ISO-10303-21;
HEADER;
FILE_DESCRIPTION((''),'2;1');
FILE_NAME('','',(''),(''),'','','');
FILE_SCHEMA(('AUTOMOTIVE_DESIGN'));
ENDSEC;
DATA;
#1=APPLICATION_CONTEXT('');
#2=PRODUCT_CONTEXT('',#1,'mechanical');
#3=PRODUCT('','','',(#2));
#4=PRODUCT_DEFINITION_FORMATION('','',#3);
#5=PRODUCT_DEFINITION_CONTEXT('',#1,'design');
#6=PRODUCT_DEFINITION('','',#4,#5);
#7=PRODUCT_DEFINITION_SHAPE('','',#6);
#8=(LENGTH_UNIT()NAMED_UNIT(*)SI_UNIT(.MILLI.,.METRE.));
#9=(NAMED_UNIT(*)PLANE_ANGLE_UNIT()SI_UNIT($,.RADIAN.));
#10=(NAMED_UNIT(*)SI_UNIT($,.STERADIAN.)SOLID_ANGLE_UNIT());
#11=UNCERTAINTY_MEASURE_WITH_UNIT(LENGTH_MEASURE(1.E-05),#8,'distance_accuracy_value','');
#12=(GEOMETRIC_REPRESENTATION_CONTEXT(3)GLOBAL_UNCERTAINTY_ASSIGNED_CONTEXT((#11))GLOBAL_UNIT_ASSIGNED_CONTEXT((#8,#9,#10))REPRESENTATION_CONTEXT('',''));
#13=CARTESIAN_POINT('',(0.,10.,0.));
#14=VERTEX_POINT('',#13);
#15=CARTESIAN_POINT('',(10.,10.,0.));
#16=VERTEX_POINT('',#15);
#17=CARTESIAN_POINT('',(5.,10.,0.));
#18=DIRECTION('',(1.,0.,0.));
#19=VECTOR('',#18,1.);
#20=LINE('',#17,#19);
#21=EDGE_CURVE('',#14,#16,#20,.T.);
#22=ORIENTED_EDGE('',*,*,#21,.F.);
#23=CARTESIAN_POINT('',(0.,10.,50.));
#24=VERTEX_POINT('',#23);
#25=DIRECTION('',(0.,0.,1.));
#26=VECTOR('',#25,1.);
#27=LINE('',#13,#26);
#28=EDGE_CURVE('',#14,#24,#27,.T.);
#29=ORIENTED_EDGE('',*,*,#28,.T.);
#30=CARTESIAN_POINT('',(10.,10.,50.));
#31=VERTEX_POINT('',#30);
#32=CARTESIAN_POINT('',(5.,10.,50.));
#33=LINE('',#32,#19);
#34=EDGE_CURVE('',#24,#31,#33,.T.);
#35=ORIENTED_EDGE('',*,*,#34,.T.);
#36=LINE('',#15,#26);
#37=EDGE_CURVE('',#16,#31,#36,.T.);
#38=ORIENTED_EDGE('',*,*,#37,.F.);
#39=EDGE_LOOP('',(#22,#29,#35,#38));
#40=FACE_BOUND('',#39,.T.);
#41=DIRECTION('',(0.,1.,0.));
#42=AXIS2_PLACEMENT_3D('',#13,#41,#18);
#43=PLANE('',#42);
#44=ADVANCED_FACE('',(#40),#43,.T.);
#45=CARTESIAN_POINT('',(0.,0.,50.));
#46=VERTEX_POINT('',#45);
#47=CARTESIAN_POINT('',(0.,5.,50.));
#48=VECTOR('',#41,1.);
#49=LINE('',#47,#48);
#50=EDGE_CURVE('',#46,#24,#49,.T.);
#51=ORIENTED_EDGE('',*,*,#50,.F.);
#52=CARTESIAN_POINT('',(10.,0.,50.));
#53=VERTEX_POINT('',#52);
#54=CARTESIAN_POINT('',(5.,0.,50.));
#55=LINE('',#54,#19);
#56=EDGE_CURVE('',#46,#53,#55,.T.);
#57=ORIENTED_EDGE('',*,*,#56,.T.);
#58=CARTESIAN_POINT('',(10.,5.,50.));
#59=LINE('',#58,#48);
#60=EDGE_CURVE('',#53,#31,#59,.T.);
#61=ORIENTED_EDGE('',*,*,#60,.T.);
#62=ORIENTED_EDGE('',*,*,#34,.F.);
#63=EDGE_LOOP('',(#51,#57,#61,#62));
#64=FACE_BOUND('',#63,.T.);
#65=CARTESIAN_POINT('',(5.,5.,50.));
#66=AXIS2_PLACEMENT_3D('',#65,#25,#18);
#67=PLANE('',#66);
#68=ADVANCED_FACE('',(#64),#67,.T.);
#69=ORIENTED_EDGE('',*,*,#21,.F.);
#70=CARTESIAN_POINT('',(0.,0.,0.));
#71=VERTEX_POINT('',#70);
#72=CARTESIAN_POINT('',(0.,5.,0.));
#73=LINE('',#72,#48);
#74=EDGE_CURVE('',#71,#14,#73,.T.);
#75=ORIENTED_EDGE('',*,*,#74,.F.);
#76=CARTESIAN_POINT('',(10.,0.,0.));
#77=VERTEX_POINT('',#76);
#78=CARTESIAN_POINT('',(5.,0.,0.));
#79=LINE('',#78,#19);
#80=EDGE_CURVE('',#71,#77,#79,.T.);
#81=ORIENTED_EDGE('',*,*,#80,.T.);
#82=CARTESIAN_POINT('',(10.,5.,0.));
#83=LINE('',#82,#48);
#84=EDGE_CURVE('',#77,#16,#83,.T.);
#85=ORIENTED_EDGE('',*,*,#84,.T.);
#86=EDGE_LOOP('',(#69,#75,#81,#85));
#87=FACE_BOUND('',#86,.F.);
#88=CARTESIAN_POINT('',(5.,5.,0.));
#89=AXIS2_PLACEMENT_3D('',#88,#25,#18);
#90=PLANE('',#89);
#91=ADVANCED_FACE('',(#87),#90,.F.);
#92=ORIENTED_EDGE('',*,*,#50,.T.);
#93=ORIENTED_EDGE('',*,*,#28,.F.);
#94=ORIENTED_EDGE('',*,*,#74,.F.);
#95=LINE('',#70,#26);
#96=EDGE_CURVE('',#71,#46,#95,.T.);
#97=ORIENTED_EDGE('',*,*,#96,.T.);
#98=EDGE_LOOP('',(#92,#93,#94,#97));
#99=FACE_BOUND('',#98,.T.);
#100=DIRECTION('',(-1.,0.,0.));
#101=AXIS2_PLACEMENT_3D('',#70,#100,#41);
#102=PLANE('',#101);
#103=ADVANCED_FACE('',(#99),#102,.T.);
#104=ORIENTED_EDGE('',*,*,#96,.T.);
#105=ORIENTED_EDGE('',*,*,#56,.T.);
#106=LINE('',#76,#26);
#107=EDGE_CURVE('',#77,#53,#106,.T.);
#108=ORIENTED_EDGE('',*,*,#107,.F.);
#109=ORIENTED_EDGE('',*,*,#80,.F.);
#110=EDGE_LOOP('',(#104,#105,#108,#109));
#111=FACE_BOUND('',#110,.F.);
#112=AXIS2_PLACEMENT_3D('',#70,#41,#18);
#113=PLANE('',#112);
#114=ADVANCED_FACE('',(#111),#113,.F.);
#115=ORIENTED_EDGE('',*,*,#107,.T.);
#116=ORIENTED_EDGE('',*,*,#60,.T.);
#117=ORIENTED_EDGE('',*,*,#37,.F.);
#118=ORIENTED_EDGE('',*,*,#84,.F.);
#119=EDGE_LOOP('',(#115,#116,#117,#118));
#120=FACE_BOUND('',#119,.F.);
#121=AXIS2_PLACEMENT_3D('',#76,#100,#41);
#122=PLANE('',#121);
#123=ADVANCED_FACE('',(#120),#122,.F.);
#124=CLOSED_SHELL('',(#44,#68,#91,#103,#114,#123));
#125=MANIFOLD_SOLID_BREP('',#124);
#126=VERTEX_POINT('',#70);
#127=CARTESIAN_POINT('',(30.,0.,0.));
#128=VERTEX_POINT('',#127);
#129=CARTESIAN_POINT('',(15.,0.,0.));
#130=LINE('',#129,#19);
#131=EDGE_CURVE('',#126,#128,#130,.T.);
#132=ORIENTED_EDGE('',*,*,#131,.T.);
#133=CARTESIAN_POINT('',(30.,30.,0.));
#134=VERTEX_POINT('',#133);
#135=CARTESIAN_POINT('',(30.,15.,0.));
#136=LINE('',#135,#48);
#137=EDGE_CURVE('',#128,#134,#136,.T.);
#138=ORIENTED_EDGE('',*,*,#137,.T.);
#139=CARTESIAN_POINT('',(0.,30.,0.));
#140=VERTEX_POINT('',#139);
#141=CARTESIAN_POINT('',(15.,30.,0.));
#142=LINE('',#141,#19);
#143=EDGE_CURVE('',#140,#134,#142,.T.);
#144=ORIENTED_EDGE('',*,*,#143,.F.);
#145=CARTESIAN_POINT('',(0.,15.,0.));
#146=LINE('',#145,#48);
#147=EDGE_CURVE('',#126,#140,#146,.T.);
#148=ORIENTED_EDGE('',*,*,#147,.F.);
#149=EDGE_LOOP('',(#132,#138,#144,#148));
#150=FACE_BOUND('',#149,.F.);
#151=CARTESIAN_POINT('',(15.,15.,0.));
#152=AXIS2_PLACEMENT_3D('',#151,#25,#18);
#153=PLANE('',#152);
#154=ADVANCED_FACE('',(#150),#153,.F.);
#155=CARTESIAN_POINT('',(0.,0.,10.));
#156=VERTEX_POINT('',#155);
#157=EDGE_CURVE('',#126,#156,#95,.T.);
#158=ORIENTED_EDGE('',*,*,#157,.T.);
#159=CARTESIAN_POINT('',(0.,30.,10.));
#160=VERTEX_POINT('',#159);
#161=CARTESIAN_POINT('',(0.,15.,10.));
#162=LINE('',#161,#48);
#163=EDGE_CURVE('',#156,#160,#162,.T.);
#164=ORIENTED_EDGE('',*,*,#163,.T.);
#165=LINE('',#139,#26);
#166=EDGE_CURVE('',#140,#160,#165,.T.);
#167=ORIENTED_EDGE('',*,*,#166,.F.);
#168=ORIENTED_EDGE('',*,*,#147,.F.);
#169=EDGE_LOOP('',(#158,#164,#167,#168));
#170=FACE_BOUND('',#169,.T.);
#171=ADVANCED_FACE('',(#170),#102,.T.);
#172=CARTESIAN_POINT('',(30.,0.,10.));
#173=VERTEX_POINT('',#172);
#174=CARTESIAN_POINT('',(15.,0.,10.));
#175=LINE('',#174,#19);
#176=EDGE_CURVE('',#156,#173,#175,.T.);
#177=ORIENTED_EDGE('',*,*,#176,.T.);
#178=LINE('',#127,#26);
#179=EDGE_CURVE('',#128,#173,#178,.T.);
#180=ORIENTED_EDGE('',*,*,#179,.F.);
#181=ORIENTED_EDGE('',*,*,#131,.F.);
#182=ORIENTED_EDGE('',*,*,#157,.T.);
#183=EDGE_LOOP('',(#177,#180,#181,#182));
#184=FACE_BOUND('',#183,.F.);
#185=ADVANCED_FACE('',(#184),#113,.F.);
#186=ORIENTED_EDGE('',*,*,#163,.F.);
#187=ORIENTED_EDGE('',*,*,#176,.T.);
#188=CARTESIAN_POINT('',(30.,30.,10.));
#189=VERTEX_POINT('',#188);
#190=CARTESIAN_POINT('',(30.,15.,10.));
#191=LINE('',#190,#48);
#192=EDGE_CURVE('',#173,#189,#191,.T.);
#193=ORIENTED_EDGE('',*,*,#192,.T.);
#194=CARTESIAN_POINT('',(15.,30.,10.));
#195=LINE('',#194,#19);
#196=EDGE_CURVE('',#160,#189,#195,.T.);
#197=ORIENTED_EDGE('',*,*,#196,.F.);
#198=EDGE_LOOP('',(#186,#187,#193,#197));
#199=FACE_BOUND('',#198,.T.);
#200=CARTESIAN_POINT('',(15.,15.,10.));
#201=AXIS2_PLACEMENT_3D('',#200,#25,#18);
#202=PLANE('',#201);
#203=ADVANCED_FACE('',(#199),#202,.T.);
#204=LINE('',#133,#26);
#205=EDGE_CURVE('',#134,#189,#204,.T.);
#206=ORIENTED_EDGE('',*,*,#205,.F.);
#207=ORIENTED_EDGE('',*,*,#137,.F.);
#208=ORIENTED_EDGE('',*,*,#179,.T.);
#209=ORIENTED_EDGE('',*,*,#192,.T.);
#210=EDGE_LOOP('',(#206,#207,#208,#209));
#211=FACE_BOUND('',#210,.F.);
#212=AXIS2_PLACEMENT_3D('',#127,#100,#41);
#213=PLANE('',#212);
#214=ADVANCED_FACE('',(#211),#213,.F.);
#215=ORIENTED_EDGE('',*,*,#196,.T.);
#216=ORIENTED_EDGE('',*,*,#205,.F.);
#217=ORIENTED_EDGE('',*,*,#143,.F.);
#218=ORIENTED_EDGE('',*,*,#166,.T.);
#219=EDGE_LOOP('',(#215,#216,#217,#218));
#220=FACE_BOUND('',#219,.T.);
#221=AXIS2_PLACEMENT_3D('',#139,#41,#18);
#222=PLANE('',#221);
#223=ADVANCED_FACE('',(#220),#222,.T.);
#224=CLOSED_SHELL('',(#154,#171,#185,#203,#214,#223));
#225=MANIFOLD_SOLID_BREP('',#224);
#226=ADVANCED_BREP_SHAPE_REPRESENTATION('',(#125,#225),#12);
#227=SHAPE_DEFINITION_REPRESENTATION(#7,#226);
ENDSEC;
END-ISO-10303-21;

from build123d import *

# Parameters (mm, degrees)
BOX_W        = 30
BOX_H        = 30
BOX_DEPTH    = 10
BOX001_W     = 10
BOX001_H     = 10
BOX001_DEPTH = 50


with BuildPart() as base:
    # Box → Box (new body)
    with BuildSketch(Plane.XY):
        with Locations((15, 15)):
            Rectangle(BOX_W, BOX_H)
    extrude(amount=BOX_DEPTH)


with BuildPart() as pilar:
    # Box001 → Box001 (new body)
    with BuildSketch(Plane.XY):
        with Locations((5, 5)):
            Rectangle(BOX001_W, BOX001_H)
    extrude(amount=BOX001_DEPTH)


solid = Compound([base.part, pilar.part])
